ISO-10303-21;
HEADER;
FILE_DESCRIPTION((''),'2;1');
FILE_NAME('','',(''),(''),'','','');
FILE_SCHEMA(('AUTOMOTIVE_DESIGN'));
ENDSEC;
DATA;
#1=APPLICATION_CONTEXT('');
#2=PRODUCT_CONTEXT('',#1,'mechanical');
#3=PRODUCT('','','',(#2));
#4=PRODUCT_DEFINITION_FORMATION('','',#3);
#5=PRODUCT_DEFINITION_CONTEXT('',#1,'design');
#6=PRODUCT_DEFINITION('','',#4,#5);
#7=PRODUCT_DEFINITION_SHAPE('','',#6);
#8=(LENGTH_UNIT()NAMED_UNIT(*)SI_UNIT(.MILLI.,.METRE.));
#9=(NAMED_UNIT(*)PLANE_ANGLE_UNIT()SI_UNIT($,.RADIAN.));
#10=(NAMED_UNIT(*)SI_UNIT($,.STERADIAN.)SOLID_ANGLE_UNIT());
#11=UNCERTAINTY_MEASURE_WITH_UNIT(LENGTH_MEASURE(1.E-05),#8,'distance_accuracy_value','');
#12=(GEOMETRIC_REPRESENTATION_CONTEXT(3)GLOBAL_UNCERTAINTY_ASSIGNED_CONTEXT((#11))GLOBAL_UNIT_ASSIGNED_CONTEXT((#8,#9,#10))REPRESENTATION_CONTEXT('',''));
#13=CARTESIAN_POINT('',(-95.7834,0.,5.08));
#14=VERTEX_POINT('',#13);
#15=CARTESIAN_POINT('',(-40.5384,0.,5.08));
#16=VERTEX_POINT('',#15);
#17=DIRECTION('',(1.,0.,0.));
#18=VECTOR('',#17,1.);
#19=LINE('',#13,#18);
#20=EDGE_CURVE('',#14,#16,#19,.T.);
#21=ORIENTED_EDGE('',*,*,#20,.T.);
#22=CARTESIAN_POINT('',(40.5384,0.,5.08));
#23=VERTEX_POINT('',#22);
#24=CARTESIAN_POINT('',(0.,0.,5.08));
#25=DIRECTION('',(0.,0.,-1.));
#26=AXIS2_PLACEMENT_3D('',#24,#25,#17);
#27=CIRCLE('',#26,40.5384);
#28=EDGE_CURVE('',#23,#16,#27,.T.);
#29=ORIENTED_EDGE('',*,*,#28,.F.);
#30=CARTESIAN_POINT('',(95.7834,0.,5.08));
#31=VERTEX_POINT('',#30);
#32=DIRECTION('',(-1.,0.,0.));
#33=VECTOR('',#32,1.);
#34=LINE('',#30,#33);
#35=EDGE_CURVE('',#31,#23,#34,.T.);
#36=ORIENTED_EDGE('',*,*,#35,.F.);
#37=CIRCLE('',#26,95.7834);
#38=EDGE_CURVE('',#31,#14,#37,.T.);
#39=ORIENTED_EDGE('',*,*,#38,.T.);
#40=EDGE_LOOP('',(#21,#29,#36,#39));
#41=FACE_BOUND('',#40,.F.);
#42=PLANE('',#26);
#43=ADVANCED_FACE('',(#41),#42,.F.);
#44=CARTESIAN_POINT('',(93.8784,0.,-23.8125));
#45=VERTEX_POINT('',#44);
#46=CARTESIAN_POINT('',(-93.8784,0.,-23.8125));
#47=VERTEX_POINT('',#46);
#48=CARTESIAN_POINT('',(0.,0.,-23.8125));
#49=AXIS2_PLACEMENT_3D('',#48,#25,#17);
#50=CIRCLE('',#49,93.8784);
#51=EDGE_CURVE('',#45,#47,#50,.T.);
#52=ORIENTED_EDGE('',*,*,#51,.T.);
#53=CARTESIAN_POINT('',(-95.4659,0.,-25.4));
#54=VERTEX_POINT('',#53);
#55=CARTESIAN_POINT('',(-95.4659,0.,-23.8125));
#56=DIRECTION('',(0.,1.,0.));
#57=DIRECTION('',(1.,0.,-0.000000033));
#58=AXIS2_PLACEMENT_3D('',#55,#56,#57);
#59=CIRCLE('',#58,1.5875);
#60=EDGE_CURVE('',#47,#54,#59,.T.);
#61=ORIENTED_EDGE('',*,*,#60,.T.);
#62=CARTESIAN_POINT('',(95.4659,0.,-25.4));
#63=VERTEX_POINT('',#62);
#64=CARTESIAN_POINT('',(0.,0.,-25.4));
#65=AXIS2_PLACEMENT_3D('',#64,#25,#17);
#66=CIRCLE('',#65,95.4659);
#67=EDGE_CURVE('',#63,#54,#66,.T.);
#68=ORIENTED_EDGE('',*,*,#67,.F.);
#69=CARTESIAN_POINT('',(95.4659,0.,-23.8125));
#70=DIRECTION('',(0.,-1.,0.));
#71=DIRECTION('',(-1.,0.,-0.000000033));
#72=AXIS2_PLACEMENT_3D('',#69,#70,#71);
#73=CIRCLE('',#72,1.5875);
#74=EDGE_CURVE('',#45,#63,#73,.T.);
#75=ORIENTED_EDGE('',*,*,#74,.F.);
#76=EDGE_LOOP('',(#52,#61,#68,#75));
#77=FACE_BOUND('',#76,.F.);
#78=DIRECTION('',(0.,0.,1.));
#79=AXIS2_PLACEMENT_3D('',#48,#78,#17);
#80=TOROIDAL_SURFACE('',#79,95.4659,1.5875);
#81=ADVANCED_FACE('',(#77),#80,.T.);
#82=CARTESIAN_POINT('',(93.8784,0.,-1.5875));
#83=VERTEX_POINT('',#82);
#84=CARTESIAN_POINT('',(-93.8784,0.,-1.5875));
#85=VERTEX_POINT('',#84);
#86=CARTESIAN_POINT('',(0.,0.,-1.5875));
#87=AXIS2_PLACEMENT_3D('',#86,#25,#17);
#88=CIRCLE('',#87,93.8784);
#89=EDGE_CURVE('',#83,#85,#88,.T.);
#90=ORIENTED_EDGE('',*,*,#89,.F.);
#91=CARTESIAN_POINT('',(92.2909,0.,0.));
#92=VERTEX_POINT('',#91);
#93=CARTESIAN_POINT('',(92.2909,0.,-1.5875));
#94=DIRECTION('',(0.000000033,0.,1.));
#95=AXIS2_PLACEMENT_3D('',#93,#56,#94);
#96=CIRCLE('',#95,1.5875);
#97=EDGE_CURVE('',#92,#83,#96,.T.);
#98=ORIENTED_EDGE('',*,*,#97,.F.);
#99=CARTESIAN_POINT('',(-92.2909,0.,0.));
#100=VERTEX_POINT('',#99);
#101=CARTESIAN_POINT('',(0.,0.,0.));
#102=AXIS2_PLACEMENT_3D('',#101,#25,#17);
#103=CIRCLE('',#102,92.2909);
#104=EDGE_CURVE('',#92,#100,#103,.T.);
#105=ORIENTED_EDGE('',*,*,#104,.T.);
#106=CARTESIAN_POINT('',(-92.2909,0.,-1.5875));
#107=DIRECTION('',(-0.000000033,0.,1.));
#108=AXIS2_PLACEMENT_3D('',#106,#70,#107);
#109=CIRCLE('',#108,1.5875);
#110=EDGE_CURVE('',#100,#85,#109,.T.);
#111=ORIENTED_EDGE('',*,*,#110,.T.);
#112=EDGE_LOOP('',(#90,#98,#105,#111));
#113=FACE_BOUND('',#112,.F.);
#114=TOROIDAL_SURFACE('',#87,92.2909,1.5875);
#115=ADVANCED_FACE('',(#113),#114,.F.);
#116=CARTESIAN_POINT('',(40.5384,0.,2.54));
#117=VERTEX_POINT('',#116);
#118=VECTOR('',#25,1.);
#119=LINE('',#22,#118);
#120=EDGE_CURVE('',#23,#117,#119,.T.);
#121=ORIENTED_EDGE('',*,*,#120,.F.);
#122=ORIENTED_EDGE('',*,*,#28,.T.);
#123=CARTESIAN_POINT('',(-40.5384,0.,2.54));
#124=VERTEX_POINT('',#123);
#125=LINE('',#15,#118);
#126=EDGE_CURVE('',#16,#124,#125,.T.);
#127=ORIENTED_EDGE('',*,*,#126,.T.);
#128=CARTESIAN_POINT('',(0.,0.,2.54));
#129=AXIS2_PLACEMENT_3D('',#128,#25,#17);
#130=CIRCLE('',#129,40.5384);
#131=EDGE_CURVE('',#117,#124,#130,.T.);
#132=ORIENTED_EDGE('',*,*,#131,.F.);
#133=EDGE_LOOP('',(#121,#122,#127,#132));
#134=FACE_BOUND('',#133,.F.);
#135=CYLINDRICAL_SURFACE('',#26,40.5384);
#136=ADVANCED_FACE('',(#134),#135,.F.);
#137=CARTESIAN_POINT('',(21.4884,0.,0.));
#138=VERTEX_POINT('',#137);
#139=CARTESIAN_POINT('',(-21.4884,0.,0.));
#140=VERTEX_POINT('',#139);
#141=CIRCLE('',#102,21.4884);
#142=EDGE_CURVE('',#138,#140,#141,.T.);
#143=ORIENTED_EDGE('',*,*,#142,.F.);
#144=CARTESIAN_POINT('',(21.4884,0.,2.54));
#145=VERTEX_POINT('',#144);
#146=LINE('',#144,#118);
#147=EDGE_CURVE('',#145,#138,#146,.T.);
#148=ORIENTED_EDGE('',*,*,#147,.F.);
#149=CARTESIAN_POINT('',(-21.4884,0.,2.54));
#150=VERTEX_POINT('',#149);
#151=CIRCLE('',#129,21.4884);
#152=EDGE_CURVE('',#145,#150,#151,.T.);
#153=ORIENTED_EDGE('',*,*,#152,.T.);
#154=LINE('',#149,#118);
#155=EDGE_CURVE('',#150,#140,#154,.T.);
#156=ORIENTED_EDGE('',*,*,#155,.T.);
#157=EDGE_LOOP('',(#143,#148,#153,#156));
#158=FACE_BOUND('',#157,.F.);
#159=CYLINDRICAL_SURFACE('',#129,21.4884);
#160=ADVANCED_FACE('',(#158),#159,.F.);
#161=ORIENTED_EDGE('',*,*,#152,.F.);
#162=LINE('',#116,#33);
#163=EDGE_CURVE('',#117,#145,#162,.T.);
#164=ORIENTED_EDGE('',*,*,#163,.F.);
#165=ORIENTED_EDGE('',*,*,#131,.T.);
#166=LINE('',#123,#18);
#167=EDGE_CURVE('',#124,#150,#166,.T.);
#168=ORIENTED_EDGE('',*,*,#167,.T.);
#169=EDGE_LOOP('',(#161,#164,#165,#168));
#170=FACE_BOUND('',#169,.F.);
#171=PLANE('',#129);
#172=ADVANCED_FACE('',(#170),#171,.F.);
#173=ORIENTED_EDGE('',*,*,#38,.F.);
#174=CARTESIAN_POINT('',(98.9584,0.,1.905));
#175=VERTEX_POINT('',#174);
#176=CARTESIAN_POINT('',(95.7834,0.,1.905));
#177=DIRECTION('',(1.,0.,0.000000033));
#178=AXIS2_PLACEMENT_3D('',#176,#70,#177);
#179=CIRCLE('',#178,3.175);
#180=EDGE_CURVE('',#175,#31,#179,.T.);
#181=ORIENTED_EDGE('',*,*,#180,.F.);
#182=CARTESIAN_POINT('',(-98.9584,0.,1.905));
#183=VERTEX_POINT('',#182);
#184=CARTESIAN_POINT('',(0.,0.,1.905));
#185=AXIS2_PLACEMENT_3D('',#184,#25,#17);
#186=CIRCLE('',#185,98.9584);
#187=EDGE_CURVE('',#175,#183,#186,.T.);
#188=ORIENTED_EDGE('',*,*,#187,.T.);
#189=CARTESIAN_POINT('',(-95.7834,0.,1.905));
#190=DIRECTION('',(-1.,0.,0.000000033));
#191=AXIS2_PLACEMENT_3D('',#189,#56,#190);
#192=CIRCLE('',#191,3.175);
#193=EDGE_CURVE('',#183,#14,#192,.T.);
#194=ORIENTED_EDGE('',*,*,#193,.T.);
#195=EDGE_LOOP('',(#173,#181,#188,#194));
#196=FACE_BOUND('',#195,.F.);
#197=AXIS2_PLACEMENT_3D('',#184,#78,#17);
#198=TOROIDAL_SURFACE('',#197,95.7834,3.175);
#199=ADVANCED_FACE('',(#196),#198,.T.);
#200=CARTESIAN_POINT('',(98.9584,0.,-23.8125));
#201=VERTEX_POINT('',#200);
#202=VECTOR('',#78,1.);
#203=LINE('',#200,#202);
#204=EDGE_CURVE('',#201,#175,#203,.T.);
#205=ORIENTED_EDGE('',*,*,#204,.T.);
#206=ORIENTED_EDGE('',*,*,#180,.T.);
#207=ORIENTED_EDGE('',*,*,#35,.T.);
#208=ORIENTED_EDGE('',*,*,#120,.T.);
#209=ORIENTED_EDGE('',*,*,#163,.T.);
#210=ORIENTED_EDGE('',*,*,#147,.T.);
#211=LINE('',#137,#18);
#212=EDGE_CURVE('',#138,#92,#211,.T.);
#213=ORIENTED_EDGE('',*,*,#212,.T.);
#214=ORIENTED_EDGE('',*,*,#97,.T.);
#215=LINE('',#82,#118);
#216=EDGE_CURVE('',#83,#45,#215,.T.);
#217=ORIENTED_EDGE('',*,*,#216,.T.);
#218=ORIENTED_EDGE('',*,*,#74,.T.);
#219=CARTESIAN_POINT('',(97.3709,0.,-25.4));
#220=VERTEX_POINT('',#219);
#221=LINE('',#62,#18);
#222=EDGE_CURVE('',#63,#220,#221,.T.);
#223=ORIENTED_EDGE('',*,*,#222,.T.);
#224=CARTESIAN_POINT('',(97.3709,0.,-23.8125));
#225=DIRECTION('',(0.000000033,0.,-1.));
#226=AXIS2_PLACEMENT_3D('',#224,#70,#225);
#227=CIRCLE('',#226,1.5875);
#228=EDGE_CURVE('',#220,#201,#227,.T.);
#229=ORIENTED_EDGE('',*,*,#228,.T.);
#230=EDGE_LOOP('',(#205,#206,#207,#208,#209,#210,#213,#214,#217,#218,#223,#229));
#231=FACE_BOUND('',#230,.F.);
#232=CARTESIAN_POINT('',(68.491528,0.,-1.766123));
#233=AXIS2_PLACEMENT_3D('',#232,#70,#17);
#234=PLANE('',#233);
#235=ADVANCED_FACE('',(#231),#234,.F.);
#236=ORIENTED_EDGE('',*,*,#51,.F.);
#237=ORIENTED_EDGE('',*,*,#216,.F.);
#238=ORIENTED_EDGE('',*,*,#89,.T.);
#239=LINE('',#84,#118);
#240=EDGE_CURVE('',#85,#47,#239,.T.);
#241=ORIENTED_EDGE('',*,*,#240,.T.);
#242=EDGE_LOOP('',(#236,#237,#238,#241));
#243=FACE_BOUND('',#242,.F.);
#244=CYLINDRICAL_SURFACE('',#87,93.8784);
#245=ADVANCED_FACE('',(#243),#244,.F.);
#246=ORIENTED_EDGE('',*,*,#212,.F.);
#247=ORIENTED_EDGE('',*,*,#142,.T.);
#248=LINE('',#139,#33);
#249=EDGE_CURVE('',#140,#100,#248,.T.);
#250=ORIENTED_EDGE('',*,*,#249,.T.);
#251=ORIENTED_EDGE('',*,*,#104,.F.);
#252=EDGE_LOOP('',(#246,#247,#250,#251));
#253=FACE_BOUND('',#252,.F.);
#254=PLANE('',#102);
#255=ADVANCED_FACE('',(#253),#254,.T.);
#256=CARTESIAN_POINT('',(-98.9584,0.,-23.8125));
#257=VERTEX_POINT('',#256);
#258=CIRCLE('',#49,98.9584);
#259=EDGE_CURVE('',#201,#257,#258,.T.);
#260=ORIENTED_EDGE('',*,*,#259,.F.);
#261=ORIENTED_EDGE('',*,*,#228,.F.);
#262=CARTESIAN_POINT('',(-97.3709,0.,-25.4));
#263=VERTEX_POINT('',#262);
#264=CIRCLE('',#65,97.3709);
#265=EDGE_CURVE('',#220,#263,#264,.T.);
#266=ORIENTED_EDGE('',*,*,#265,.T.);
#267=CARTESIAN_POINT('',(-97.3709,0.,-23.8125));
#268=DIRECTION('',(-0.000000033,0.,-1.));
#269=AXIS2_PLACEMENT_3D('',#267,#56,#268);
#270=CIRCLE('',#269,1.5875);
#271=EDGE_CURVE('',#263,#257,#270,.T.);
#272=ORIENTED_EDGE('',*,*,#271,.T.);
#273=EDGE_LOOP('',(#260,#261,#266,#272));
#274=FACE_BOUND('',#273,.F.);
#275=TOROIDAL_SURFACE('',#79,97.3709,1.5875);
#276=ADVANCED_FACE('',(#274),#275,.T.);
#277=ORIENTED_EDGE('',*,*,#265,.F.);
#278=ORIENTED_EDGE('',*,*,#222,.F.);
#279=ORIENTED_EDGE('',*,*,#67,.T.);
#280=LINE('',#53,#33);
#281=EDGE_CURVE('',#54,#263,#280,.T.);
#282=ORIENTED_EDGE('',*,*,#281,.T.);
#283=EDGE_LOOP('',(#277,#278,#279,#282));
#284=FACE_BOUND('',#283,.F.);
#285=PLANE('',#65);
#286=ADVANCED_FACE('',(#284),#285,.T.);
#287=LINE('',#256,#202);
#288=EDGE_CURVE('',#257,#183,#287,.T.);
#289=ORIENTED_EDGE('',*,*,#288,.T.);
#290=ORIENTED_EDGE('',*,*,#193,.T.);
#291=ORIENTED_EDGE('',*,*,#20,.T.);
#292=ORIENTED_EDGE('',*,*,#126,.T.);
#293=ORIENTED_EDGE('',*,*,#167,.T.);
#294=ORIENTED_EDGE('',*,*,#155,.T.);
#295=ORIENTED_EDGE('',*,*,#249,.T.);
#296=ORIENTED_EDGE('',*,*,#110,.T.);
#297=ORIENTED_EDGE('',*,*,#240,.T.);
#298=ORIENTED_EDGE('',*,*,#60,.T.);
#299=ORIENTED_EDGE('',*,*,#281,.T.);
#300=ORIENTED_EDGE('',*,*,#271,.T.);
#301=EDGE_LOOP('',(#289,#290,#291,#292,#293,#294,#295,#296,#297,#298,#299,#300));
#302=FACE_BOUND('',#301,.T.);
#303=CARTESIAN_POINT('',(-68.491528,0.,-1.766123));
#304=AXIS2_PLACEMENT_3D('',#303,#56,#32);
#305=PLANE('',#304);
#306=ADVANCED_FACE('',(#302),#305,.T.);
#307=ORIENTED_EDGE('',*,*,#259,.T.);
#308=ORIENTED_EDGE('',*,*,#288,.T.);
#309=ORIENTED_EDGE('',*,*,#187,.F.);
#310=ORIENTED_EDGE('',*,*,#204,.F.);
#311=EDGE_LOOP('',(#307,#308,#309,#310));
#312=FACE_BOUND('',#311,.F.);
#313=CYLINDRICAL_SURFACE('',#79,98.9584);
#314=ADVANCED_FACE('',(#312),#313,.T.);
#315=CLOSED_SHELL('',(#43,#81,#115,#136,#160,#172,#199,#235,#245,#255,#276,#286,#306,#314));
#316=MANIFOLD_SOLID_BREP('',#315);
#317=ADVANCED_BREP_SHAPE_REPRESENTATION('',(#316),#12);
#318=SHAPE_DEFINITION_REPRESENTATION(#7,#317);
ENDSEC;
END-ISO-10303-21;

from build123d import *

# Parameters (mm, degrees)
F1_ANGLE = 180


with BuildPart() as f1:
    # F0 (on Front) → F1 (revolve)
    with BuildSketch(Plane.XZ):
        with BuildLine():
            ThreePointArc((98.9584, 1.905), (98.028464, 4.150064), (95.7834, 5.08))
            Line((95.7834, 5.08), (40.5384, 5.08))
            Line((40.5384, 5.08), (40.5384, 2.54))
            Line((40.5384, 2.54), (21.4884, 2.54))
            Line((21.4884, 2.54), (21.4884, 0))
            Line((21.4884, 0), (92.2909, 0))
            ThreePointArc((92.2909, 0), (93.413432, -0.464968), (93.8784, -1.5875))
            Line((93.8784, -1.5875), (93.8784, -23.8125))
            ThreePointArc((93.8784, -23.8125), (94.343368, -24.935032), (95.4659, -25.4))
            Line((95.4659, -25.4), (97.3709, -25.4))
            ThreePointArc((97.3709, -25.4), (98.493432, -24.935032), (98.9584, -23.8125))
            Line((98.9584, -23.8125), (98.9584, 1.905))
        make_face()
    revolve(axis=Axis((0, 0, -0.332045), (0, 0, -1)), revolution_arc=F1_ANGLE)


solid = f1.part
